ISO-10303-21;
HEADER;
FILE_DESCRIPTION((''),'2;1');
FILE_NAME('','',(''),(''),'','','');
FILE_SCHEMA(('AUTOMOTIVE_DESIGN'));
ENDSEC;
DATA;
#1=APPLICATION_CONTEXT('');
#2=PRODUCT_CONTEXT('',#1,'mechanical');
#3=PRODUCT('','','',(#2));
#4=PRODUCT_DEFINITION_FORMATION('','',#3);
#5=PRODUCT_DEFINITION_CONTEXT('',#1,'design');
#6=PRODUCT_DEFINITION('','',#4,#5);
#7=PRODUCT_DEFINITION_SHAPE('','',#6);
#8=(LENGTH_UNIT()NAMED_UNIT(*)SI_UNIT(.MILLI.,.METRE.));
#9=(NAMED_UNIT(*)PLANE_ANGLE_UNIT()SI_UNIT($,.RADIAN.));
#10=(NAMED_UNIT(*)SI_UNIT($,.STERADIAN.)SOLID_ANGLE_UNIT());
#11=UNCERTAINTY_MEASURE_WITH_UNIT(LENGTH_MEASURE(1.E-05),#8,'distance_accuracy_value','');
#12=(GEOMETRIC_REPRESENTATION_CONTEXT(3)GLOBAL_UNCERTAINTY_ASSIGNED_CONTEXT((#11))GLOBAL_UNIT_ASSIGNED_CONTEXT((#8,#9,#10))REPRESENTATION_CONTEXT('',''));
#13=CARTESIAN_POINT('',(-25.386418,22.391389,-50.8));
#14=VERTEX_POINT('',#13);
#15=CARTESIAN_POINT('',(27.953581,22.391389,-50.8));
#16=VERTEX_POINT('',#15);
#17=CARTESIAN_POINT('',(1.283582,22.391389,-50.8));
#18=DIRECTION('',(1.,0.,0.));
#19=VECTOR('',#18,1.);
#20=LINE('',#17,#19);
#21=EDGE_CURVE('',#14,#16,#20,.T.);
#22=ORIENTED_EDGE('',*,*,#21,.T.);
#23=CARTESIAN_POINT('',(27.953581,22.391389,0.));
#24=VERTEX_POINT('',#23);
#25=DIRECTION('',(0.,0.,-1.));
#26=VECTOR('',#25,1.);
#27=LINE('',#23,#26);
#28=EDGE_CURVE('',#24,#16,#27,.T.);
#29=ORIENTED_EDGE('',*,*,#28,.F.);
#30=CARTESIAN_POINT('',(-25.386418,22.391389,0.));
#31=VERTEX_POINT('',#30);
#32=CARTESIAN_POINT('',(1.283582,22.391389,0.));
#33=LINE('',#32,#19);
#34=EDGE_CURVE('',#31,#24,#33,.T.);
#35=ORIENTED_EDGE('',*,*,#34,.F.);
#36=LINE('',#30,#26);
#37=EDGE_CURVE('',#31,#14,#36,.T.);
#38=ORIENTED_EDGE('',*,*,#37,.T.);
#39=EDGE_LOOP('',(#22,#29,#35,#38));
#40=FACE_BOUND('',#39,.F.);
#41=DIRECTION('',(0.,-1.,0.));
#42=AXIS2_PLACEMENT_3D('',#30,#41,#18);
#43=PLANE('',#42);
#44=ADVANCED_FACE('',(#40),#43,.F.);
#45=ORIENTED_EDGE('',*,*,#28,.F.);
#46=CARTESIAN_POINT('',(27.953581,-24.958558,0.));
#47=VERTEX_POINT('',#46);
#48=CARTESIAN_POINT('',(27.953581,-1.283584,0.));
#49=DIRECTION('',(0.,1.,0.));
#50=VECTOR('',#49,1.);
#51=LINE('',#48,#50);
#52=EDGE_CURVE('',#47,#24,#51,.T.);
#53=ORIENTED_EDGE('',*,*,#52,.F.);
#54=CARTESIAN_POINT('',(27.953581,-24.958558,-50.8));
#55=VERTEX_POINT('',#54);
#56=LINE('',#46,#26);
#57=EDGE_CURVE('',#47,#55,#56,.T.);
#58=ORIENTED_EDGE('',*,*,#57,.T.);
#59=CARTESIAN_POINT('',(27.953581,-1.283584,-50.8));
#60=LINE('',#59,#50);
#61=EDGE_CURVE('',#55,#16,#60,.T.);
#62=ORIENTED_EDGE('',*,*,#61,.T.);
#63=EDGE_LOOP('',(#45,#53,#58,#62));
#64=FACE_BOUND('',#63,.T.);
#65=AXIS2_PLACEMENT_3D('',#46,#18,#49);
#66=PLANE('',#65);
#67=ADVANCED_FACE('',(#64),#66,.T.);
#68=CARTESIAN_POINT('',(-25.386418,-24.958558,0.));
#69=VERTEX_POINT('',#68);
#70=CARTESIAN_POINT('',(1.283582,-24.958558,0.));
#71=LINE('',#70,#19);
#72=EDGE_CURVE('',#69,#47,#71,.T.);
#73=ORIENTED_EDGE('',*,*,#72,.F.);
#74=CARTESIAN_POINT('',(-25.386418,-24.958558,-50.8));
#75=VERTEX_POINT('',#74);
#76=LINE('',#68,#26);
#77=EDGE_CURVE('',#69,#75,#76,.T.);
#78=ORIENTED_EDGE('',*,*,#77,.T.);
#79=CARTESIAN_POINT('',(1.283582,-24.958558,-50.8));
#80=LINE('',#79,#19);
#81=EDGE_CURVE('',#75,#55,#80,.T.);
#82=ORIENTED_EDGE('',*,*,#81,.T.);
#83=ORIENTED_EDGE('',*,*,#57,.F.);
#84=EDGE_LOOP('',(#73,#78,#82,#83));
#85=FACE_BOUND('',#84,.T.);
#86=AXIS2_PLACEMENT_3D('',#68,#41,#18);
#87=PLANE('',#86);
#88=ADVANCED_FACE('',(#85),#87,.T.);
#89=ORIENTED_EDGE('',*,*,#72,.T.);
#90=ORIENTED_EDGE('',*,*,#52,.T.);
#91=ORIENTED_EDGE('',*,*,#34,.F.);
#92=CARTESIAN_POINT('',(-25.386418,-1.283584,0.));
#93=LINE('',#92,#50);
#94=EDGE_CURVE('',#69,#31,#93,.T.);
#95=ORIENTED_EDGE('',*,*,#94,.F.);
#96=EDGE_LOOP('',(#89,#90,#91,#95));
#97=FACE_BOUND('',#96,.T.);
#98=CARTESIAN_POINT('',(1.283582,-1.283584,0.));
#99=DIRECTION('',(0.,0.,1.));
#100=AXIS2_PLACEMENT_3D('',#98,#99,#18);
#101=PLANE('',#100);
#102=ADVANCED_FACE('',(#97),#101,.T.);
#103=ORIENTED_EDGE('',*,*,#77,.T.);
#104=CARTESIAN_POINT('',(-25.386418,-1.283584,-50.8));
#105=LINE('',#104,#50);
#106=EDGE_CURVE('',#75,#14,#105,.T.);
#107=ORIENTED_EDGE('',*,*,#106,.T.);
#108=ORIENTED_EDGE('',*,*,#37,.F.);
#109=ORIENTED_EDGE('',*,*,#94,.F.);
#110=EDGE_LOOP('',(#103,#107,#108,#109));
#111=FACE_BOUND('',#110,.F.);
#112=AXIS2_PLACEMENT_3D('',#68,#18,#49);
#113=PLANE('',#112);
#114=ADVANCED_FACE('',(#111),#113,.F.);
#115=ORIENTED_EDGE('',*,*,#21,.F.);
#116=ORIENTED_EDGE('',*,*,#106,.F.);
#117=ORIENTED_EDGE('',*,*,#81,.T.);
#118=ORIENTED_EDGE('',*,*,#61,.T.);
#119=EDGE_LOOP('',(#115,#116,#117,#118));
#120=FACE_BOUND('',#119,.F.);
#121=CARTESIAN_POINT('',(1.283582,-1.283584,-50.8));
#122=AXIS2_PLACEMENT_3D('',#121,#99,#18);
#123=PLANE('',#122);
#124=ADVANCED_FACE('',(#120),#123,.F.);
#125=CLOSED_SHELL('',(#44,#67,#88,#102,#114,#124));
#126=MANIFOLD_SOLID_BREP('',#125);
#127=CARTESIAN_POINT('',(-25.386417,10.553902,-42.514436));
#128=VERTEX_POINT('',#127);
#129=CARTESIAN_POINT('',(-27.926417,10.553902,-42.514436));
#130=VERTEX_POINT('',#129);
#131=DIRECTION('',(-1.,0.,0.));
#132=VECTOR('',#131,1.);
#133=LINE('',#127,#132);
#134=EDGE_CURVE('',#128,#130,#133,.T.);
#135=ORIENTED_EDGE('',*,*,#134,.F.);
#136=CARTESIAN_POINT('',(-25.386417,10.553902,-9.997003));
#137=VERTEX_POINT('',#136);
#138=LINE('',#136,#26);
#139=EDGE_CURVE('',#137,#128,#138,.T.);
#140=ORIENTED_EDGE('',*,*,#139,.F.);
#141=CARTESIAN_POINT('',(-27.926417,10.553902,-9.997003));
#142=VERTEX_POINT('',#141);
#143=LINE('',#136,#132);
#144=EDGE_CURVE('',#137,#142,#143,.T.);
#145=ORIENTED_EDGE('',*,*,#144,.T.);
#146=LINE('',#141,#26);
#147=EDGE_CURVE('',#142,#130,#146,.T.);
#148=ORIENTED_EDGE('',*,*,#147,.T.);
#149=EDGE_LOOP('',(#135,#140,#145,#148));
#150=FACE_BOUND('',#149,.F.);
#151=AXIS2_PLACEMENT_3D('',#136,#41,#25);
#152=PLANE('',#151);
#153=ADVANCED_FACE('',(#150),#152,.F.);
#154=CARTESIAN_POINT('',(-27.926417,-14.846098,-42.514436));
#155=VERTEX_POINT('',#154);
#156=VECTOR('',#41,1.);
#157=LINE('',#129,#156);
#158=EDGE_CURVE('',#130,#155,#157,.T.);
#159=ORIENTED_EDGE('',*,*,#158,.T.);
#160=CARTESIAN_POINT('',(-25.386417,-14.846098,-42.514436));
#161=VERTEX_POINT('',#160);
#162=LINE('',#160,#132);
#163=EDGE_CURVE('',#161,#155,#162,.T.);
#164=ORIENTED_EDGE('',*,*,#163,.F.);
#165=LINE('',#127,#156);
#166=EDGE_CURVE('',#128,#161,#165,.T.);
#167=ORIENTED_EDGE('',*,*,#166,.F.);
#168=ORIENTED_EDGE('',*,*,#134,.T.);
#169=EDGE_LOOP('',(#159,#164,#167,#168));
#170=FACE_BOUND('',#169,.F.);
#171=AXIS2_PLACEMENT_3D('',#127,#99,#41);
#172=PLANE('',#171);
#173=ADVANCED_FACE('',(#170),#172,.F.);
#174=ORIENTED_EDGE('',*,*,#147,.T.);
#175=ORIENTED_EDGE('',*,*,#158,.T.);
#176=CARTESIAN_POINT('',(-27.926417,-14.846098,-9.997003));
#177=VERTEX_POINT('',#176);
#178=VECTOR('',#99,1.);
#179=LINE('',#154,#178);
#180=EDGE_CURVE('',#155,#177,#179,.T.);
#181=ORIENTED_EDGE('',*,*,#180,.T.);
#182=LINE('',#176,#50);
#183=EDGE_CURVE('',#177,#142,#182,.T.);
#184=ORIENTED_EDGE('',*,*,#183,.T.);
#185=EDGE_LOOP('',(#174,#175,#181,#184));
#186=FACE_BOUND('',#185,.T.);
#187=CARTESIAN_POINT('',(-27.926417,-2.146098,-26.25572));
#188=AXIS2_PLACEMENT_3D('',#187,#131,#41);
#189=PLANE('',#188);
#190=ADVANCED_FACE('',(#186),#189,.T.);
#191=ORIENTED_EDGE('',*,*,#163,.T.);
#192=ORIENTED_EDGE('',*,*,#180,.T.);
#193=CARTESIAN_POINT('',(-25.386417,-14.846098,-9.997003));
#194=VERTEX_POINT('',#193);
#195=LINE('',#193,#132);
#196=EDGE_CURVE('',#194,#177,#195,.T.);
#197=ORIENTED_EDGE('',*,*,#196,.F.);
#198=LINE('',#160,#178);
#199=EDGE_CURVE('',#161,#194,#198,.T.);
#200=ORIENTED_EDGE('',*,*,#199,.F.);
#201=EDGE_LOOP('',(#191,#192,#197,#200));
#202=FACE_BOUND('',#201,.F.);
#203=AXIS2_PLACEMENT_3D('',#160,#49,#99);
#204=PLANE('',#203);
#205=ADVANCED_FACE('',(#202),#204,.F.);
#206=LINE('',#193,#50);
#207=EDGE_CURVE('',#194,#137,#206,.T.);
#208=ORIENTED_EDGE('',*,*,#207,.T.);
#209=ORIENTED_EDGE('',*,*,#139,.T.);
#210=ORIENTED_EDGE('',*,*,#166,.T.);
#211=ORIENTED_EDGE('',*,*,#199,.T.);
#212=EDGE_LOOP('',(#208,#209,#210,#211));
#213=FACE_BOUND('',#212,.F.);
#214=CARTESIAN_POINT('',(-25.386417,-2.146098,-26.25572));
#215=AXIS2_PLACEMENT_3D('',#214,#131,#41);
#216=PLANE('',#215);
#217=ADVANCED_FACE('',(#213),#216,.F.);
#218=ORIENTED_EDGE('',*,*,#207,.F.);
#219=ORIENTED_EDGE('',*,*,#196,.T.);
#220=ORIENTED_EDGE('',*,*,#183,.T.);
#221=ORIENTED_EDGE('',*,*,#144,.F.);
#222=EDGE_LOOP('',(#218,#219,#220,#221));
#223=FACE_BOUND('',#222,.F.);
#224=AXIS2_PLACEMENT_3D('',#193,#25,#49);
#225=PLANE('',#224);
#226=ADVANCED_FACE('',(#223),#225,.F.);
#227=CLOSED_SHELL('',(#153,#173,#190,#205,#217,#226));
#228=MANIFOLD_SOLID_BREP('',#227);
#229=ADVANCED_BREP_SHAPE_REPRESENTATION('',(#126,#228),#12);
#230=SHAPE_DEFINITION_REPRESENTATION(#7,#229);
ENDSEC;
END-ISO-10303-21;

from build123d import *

# Parameters (mm, degrees)
F0_W     = 53.339999
F0_H     = 47.349947
F1_DEPTH = 50.8
F3_DEPTH = 2.54


with BuildPart() as f1:
    # F0 (on Top) → F1 (new body)
    with BuildSketch(Plane.XY):
        with Locations((1.283582, -1.283584)):
            Rectangle(F0_W, F0_H)
    extrude(amount=-F1_DEPTH)


with BuildPart() as f3:
    # F2 (on face) → F3 (new body)
    with BuildSketch(Plane(origin=(-25.386417, 0, 0), x_dir=(0, -1, 0), z_dir=(-1, 0, 0))):
        Polygon((-10.553902, -9.997003), (-10.553902, -42.514436), (0, -42.514436), (2.146098, -42.514436), (14.846098, -42.514436), (14.846098, -9.997003), align=None)
    extrude(amount=F3_DEPTH)


solid = Compound([f1.part, f3.part])
